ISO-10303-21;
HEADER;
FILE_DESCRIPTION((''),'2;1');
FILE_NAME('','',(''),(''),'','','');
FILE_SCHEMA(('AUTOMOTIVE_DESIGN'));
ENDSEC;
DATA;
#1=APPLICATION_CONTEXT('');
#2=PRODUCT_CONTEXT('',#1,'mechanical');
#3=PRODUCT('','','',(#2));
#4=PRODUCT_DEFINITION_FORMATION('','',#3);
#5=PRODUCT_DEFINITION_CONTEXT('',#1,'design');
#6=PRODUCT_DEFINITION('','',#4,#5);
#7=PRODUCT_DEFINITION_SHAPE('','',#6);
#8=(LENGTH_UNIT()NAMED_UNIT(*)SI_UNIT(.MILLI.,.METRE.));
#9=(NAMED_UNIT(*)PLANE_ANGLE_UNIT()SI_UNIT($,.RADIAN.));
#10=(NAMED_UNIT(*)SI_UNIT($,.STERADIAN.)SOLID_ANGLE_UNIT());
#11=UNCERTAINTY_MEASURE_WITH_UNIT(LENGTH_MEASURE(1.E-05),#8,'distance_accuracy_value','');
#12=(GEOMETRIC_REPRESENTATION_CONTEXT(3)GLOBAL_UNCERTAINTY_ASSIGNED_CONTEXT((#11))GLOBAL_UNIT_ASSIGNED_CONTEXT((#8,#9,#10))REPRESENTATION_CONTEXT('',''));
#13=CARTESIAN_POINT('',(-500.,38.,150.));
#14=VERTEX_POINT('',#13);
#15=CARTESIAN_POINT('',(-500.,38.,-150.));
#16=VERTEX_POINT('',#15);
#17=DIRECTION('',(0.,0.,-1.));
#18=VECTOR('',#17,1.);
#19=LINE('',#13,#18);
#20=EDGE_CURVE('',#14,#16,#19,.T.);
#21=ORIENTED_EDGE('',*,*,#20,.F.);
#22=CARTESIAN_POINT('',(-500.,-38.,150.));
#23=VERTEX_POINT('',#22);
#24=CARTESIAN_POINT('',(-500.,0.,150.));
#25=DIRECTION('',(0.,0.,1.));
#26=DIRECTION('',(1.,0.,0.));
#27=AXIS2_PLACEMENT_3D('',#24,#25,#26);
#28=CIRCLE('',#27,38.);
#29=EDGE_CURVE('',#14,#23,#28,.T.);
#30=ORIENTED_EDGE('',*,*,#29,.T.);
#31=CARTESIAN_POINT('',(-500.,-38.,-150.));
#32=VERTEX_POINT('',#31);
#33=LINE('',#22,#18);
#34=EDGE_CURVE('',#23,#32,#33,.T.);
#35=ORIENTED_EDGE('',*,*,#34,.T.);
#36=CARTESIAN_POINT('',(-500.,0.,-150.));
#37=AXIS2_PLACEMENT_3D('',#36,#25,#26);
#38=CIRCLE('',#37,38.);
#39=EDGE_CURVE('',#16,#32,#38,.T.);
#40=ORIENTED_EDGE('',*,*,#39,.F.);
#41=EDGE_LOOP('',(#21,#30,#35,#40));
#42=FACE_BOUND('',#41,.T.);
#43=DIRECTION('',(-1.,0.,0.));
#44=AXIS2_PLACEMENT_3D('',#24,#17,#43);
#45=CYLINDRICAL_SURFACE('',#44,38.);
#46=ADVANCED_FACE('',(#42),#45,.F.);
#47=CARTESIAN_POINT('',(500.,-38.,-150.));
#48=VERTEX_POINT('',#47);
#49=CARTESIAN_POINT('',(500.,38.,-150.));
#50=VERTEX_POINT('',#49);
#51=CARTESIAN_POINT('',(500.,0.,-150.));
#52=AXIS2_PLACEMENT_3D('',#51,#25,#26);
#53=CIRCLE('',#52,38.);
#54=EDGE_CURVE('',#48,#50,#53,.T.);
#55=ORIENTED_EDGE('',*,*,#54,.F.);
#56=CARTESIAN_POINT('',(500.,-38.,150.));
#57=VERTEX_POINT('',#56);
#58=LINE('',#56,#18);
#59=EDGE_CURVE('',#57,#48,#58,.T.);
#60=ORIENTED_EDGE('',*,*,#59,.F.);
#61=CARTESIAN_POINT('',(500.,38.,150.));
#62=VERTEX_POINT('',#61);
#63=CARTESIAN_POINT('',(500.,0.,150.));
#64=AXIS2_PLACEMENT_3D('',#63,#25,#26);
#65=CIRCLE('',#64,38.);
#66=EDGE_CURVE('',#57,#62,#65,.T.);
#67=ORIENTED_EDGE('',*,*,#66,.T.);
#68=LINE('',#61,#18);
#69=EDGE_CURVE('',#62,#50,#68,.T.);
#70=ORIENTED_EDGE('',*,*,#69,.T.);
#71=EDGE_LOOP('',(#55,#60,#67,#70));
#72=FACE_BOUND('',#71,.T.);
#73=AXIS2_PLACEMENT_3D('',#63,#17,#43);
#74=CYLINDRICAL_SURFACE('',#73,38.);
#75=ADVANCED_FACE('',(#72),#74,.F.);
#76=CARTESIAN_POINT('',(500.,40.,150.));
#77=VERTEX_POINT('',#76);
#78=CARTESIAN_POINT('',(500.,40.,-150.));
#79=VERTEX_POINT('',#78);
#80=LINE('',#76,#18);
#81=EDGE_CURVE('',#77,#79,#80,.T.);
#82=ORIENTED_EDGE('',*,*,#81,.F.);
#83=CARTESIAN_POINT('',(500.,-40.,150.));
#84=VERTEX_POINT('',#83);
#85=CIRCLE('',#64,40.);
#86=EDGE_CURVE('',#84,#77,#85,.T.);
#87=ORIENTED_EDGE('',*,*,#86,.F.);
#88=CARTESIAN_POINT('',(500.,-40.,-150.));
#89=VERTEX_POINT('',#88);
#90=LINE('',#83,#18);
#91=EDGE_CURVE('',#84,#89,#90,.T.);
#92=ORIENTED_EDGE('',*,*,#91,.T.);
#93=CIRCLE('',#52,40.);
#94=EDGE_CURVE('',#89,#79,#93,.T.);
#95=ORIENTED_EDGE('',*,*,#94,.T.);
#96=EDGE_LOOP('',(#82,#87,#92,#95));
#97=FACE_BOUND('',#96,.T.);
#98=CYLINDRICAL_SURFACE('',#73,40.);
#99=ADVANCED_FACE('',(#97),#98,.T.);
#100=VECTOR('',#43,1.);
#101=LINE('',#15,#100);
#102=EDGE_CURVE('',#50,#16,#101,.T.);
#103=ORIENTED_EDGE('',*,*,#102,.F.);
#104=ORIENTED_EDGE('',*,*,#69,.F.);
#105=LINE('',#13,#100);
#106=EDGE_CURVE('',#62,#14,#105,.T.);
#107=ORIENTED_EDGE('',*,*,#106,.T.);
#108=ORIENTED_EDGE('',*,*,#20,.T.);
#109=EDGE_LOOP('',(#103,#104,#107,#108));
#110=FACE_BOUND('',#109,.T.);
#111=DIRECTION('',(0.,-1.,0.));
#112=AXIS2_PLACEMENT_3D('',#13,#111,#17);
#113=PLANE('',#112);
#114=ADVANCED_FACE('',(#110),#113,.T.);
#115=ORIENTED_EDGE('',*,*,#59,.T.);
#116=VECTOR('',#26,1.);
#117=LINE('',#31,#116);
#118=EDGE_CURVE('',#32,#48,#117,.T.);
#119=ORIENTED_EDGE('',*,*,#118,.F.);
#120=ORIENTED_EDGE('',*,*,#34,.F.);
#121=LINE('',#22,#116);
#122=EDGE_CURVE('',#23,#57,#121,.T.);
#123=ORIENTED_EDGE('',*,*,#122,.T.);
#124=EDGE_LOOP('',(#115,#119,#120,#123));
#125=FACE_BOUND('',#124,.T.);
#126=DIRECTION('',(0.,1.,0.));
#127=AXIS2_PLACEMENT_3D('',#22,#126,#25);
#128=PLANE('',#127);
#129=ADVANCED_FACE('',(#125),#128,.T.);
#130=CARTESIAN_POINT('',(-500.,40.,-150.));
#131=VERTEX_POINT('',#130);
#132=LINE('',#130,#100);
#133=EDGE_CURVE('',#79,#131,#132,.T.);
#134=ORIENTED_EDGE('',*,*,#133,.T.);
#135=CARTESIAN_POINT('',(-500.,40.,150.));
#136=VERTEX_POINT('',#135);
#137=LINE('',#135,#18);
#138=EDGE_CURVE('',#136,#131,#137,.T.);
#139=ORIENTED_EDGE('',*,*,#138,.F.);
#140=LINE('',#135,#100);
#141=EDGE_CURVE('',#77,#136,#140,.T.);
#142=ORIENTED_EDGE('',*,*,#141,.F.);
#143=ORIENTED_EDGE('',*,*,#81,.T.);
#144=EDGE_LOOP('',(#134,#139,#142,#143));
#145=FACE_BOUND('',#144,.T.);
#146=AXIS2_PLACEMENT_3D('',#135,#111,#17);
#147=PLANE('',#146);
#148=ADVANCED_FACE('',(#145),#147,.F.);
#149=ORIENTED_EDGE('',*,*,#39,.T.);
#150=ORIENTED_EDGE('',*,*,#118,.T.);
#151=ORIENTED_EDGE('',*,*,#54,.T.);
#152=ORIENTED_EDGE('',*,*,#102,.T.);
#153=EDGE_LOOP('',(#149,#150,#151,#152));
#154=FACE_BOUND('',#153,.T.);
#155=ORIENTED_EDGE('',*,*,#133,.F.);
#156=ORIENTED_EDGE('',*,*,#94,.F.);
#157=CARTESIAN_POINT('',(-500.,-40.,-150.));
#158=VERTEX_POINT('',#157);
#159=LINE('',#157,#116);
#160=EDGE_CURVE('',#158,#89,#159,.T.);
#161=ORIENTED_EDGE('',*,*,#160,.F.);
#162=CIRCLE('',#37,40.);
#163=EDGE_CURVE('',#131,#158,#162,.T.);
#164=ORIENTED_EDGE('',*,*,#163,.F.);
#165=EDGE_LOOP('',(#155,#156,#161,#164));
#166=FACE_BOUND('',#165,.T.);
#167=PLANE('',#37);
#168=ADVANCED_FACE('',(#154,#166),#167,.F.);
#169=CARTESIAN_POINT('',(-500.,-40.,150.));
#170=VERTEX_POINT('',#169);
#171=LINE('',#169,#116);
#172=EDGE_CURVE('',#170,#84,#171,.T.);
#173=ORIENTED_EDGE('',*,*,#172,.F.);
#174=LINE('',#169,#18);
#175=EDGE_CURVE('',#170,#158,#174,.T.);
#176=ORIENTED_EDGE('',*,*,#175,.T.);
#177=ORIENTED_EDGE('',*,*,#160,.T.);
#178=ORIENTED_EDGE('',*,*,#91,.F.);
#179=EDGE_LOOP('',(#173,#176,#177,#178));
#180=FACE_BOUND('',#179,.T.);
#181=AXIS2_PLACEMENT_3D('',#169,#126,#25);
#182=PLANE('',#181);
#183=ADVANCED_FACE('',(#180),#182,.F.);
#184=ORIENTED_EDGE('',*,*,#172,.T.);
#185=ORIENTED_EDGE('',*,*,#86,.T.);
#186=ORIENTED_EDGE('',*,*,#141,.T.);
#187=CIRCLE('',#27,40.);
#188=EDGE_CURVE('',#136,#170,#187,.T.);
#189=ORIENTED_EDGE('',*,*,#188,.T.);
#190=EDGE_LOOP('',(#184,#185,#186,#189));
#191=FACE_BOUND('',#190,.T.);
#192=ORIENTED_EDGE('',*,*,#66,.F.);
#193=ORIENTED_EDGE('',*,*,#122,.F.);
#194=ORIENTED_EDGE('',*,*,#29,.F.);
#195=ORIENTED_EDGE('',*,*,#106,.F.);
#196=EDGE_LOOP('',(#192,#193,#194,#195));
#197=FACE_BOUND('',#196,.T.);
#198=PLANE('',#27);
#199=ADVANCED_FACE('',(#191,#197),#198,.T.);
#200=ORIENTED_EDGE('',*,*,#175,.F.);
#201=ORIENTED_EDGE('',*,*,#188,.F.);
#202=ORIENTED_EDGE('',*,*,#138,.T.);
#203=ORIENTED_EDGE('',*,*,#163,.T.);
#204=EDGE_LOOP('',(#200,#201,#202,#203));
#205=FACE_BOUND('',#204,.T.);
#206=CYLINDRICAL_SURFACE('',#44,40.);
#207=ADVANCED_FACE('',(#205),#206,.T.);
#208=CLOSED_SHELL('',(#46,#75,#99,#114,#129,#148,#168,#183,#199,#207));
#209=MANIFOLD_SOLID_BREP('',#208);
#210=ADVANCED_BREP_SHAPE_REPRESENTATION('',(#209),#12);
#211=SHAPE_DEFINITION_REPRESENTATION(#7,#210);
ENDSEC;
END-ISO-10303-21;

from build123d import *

# Parameters (mm, degrees)
EXTRUDE_1_DEPTH = 150


with BuildPart() as part:
    # 草图1 → 拉伸-薄壁1 (new, symmetric)
    with BuildSketch(Plane.XY):
        with BuildLine():
            Line((500, -40), (-500, -40))
            ThreePointArc((-500, -40), (-540, 0), (-500, 40))
            Line((-500, 40), (500, 40))
            ThreePointArc((500, 40), (540, 0), (500, -40))
        make_face()
        with BuildLine():
            Line((500, -38), (-500, -38))
            ThreePointArc((-500, -38), (-538, 0), (-500, 38))
            Line((-500, 38), (500, 38))
            ThreePointArc((500, 38), (538, 0), (500, -38))
        make_face(mode=Mode.SUBTRACT)
    extrude(amount=EXTRUDE_1_DEPTH, both=True)


solid = part.part
